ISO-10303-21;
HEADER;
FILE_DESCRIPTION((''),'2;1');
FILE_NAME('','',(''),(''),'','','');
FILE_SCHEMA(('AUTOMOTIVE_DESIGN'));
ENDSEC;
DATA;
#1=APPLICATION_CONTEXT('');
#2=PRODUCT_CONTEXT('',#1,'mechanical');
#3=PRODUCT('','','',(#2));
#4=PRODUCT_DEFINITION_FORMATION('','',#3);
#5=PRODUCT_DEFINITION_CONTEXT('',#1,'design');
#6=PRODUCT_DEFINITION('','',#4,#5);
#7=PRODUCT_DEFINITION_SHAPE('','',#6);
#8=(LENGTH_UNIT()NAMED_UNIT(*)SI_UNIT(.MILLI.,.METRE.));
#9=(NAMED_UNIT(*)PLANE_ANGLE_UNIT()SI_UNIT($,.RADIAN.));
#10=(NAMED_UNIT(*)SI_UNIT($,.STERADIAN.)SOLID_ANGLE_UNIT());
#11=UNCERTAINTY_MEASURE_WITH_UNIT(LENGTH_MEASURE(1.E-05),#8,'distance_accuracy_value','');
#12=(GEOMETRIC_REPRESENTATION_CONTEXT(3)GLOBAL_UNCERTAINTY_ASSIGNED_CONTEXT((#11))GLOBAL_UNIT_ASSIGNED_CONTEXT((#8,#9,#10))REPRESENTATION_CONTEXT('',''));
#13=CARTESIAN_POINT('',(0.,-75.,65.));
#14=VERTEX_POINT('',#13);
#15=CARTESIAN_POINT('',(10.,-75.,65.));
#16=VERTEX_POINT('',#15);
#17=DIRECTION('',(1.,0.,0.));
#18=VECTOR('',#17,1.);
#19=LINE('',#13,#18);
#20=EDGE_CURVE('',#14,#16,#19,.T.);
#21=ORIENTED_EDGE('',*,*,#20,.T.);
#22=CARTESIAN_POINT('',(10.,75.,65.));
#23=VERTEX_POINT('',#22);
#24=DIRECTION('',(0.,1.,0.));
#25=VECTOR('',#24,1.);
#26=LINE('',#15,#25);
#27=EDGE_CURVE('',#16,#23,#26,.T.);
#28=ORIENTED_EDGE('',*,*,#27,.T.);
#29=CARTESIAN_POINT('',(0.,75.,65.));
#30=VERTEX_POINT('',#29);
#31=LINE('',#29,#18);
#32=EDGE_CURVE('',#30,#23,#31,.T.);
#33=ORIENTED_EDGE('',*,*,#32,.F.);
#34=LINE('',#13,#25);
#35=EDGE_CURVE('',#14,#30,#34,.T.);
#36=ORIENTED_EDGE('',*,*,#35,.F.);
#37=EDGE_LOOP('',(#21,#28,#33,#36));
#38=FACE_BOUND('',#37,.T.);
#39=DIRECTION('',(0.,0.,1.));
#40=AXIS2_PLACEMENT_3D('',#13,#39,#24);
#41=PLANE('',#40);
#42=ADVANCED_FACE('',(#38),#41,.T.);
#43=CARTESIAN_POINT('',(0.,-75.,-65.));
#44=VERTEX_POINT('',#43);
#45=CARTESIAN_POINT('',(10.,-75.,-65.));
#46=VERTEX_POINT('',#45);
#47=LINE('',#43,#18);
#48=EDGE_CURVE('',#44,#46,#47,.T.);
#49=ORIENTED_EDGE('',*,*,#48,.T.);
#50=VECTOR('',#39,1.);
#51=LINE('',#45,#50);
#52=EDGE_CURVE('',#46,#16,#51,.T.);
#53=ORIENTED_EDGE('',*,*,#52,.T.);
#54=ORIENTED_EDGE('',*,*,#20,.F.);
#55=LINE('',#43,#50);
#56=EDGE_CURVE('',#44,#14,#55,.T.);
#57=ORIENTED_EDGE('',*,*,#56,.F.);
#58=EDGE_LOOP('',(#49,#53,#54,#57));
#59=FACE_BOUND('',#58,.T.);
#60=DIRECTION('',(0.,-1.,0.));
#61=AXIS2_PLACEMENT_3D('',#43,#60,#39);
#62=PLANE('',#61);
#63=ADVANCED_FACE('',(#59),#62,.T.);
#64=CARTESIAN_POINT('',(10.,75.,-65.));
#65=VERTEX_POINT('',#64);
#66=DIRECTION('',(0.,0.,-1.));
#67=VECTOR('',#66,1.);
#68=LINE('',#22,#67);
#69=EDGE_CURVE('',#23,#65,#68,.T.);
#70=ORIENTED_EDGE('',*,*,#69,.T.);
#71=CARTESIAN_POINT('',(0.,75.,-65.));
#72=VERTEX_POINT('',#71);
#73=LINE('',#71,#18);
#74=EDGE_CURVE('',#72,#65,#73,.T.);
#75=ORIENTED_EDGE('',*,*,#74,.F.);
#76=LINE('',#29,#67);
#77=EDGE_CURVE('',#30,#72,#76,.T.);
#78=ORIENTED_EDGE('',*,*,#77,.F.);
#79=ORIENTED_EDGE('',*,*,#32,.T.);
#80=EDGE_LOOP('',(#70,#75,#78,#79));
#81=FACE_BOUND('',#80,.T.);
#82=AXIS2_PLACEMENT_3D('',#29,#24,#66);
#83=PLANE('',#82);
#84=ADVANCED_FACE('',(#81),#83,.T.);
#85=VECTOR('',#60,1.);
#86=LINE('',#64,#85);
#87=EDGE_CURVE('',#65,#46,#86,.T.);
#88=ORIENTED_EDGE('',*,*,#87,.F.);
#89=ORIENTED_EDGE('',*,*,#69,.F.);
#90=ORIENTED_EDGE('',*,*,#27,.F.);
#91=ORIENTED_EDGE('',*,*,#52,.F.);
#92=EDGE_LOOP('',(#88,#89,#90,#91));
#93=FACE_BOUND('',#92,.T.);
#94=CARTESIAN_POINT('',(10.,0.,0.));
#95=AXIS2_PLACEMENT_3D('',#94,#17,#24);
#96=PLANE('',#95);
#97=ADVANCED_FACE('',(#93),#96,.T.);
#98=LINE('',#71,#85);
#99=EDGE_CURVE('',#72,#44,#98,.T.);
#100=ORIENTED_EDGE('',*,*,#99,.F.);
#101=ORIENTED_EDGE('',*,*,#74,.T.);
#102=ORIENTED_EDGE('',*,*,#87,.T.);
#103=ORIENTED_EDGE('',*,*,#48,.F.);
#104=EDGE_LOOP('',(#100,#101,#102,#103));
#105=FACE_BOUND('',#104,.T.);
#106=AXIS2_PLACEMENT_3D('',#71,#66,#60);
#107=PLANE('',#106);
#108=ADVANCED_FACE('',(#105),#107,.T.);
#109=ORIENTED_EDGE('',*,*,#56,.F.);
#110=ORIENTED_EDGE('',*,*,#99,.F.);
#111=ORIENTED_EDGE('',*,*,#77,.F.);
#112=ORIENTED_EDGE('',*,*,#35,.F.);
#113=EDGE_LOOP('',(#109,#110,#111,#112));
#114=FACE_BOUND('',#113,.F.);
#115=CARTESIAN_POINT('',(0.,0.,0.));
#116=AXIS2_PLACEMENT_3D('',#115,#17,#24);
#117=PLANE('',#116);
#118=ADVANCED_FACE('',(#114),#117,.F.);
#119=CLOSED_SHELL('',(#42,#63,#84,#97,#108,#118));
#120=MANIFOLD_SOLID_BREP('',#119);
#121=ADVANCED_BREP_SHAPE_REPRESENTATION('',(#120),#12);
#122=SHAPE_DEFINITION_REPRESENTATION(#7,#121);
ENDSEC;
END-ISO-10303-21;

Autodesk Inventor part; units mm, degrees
ref_plane "YZ Plane" through (0, 0, 0) normal (1, 0, 0) x (0, 1, 0)
ref_plane "XZ Plane" through (0, 0, 0) normal (0, 1, 0) x (-1, 0, 0)
ref_plane "XY Plane" through (0, 0, 0) normal (0, 0, 1) x (1, 0, 0)
sketch "Sketch1" plane through (0, 0, 0) normal (1, 0, 0) x (0, 1, 0)
  line L0 (-75, 65) -> (75, 65)
  line L1 (75, 65) -> (75, -65)
  line L2 (75, -65) -> (-75, -65)
  line L3 (-75, -65) -> (-75, 65)
  line L4 (-75, 65) -> (75, -65) construction
  line L5 (75, 65) -> (-75, -65) construction
  point P0 (0, 0)
  dimension "d0" = 150
  dimension "d1" = 130
extrude "Extrusion1" add sketch "Sketch1" along normal blind 10
